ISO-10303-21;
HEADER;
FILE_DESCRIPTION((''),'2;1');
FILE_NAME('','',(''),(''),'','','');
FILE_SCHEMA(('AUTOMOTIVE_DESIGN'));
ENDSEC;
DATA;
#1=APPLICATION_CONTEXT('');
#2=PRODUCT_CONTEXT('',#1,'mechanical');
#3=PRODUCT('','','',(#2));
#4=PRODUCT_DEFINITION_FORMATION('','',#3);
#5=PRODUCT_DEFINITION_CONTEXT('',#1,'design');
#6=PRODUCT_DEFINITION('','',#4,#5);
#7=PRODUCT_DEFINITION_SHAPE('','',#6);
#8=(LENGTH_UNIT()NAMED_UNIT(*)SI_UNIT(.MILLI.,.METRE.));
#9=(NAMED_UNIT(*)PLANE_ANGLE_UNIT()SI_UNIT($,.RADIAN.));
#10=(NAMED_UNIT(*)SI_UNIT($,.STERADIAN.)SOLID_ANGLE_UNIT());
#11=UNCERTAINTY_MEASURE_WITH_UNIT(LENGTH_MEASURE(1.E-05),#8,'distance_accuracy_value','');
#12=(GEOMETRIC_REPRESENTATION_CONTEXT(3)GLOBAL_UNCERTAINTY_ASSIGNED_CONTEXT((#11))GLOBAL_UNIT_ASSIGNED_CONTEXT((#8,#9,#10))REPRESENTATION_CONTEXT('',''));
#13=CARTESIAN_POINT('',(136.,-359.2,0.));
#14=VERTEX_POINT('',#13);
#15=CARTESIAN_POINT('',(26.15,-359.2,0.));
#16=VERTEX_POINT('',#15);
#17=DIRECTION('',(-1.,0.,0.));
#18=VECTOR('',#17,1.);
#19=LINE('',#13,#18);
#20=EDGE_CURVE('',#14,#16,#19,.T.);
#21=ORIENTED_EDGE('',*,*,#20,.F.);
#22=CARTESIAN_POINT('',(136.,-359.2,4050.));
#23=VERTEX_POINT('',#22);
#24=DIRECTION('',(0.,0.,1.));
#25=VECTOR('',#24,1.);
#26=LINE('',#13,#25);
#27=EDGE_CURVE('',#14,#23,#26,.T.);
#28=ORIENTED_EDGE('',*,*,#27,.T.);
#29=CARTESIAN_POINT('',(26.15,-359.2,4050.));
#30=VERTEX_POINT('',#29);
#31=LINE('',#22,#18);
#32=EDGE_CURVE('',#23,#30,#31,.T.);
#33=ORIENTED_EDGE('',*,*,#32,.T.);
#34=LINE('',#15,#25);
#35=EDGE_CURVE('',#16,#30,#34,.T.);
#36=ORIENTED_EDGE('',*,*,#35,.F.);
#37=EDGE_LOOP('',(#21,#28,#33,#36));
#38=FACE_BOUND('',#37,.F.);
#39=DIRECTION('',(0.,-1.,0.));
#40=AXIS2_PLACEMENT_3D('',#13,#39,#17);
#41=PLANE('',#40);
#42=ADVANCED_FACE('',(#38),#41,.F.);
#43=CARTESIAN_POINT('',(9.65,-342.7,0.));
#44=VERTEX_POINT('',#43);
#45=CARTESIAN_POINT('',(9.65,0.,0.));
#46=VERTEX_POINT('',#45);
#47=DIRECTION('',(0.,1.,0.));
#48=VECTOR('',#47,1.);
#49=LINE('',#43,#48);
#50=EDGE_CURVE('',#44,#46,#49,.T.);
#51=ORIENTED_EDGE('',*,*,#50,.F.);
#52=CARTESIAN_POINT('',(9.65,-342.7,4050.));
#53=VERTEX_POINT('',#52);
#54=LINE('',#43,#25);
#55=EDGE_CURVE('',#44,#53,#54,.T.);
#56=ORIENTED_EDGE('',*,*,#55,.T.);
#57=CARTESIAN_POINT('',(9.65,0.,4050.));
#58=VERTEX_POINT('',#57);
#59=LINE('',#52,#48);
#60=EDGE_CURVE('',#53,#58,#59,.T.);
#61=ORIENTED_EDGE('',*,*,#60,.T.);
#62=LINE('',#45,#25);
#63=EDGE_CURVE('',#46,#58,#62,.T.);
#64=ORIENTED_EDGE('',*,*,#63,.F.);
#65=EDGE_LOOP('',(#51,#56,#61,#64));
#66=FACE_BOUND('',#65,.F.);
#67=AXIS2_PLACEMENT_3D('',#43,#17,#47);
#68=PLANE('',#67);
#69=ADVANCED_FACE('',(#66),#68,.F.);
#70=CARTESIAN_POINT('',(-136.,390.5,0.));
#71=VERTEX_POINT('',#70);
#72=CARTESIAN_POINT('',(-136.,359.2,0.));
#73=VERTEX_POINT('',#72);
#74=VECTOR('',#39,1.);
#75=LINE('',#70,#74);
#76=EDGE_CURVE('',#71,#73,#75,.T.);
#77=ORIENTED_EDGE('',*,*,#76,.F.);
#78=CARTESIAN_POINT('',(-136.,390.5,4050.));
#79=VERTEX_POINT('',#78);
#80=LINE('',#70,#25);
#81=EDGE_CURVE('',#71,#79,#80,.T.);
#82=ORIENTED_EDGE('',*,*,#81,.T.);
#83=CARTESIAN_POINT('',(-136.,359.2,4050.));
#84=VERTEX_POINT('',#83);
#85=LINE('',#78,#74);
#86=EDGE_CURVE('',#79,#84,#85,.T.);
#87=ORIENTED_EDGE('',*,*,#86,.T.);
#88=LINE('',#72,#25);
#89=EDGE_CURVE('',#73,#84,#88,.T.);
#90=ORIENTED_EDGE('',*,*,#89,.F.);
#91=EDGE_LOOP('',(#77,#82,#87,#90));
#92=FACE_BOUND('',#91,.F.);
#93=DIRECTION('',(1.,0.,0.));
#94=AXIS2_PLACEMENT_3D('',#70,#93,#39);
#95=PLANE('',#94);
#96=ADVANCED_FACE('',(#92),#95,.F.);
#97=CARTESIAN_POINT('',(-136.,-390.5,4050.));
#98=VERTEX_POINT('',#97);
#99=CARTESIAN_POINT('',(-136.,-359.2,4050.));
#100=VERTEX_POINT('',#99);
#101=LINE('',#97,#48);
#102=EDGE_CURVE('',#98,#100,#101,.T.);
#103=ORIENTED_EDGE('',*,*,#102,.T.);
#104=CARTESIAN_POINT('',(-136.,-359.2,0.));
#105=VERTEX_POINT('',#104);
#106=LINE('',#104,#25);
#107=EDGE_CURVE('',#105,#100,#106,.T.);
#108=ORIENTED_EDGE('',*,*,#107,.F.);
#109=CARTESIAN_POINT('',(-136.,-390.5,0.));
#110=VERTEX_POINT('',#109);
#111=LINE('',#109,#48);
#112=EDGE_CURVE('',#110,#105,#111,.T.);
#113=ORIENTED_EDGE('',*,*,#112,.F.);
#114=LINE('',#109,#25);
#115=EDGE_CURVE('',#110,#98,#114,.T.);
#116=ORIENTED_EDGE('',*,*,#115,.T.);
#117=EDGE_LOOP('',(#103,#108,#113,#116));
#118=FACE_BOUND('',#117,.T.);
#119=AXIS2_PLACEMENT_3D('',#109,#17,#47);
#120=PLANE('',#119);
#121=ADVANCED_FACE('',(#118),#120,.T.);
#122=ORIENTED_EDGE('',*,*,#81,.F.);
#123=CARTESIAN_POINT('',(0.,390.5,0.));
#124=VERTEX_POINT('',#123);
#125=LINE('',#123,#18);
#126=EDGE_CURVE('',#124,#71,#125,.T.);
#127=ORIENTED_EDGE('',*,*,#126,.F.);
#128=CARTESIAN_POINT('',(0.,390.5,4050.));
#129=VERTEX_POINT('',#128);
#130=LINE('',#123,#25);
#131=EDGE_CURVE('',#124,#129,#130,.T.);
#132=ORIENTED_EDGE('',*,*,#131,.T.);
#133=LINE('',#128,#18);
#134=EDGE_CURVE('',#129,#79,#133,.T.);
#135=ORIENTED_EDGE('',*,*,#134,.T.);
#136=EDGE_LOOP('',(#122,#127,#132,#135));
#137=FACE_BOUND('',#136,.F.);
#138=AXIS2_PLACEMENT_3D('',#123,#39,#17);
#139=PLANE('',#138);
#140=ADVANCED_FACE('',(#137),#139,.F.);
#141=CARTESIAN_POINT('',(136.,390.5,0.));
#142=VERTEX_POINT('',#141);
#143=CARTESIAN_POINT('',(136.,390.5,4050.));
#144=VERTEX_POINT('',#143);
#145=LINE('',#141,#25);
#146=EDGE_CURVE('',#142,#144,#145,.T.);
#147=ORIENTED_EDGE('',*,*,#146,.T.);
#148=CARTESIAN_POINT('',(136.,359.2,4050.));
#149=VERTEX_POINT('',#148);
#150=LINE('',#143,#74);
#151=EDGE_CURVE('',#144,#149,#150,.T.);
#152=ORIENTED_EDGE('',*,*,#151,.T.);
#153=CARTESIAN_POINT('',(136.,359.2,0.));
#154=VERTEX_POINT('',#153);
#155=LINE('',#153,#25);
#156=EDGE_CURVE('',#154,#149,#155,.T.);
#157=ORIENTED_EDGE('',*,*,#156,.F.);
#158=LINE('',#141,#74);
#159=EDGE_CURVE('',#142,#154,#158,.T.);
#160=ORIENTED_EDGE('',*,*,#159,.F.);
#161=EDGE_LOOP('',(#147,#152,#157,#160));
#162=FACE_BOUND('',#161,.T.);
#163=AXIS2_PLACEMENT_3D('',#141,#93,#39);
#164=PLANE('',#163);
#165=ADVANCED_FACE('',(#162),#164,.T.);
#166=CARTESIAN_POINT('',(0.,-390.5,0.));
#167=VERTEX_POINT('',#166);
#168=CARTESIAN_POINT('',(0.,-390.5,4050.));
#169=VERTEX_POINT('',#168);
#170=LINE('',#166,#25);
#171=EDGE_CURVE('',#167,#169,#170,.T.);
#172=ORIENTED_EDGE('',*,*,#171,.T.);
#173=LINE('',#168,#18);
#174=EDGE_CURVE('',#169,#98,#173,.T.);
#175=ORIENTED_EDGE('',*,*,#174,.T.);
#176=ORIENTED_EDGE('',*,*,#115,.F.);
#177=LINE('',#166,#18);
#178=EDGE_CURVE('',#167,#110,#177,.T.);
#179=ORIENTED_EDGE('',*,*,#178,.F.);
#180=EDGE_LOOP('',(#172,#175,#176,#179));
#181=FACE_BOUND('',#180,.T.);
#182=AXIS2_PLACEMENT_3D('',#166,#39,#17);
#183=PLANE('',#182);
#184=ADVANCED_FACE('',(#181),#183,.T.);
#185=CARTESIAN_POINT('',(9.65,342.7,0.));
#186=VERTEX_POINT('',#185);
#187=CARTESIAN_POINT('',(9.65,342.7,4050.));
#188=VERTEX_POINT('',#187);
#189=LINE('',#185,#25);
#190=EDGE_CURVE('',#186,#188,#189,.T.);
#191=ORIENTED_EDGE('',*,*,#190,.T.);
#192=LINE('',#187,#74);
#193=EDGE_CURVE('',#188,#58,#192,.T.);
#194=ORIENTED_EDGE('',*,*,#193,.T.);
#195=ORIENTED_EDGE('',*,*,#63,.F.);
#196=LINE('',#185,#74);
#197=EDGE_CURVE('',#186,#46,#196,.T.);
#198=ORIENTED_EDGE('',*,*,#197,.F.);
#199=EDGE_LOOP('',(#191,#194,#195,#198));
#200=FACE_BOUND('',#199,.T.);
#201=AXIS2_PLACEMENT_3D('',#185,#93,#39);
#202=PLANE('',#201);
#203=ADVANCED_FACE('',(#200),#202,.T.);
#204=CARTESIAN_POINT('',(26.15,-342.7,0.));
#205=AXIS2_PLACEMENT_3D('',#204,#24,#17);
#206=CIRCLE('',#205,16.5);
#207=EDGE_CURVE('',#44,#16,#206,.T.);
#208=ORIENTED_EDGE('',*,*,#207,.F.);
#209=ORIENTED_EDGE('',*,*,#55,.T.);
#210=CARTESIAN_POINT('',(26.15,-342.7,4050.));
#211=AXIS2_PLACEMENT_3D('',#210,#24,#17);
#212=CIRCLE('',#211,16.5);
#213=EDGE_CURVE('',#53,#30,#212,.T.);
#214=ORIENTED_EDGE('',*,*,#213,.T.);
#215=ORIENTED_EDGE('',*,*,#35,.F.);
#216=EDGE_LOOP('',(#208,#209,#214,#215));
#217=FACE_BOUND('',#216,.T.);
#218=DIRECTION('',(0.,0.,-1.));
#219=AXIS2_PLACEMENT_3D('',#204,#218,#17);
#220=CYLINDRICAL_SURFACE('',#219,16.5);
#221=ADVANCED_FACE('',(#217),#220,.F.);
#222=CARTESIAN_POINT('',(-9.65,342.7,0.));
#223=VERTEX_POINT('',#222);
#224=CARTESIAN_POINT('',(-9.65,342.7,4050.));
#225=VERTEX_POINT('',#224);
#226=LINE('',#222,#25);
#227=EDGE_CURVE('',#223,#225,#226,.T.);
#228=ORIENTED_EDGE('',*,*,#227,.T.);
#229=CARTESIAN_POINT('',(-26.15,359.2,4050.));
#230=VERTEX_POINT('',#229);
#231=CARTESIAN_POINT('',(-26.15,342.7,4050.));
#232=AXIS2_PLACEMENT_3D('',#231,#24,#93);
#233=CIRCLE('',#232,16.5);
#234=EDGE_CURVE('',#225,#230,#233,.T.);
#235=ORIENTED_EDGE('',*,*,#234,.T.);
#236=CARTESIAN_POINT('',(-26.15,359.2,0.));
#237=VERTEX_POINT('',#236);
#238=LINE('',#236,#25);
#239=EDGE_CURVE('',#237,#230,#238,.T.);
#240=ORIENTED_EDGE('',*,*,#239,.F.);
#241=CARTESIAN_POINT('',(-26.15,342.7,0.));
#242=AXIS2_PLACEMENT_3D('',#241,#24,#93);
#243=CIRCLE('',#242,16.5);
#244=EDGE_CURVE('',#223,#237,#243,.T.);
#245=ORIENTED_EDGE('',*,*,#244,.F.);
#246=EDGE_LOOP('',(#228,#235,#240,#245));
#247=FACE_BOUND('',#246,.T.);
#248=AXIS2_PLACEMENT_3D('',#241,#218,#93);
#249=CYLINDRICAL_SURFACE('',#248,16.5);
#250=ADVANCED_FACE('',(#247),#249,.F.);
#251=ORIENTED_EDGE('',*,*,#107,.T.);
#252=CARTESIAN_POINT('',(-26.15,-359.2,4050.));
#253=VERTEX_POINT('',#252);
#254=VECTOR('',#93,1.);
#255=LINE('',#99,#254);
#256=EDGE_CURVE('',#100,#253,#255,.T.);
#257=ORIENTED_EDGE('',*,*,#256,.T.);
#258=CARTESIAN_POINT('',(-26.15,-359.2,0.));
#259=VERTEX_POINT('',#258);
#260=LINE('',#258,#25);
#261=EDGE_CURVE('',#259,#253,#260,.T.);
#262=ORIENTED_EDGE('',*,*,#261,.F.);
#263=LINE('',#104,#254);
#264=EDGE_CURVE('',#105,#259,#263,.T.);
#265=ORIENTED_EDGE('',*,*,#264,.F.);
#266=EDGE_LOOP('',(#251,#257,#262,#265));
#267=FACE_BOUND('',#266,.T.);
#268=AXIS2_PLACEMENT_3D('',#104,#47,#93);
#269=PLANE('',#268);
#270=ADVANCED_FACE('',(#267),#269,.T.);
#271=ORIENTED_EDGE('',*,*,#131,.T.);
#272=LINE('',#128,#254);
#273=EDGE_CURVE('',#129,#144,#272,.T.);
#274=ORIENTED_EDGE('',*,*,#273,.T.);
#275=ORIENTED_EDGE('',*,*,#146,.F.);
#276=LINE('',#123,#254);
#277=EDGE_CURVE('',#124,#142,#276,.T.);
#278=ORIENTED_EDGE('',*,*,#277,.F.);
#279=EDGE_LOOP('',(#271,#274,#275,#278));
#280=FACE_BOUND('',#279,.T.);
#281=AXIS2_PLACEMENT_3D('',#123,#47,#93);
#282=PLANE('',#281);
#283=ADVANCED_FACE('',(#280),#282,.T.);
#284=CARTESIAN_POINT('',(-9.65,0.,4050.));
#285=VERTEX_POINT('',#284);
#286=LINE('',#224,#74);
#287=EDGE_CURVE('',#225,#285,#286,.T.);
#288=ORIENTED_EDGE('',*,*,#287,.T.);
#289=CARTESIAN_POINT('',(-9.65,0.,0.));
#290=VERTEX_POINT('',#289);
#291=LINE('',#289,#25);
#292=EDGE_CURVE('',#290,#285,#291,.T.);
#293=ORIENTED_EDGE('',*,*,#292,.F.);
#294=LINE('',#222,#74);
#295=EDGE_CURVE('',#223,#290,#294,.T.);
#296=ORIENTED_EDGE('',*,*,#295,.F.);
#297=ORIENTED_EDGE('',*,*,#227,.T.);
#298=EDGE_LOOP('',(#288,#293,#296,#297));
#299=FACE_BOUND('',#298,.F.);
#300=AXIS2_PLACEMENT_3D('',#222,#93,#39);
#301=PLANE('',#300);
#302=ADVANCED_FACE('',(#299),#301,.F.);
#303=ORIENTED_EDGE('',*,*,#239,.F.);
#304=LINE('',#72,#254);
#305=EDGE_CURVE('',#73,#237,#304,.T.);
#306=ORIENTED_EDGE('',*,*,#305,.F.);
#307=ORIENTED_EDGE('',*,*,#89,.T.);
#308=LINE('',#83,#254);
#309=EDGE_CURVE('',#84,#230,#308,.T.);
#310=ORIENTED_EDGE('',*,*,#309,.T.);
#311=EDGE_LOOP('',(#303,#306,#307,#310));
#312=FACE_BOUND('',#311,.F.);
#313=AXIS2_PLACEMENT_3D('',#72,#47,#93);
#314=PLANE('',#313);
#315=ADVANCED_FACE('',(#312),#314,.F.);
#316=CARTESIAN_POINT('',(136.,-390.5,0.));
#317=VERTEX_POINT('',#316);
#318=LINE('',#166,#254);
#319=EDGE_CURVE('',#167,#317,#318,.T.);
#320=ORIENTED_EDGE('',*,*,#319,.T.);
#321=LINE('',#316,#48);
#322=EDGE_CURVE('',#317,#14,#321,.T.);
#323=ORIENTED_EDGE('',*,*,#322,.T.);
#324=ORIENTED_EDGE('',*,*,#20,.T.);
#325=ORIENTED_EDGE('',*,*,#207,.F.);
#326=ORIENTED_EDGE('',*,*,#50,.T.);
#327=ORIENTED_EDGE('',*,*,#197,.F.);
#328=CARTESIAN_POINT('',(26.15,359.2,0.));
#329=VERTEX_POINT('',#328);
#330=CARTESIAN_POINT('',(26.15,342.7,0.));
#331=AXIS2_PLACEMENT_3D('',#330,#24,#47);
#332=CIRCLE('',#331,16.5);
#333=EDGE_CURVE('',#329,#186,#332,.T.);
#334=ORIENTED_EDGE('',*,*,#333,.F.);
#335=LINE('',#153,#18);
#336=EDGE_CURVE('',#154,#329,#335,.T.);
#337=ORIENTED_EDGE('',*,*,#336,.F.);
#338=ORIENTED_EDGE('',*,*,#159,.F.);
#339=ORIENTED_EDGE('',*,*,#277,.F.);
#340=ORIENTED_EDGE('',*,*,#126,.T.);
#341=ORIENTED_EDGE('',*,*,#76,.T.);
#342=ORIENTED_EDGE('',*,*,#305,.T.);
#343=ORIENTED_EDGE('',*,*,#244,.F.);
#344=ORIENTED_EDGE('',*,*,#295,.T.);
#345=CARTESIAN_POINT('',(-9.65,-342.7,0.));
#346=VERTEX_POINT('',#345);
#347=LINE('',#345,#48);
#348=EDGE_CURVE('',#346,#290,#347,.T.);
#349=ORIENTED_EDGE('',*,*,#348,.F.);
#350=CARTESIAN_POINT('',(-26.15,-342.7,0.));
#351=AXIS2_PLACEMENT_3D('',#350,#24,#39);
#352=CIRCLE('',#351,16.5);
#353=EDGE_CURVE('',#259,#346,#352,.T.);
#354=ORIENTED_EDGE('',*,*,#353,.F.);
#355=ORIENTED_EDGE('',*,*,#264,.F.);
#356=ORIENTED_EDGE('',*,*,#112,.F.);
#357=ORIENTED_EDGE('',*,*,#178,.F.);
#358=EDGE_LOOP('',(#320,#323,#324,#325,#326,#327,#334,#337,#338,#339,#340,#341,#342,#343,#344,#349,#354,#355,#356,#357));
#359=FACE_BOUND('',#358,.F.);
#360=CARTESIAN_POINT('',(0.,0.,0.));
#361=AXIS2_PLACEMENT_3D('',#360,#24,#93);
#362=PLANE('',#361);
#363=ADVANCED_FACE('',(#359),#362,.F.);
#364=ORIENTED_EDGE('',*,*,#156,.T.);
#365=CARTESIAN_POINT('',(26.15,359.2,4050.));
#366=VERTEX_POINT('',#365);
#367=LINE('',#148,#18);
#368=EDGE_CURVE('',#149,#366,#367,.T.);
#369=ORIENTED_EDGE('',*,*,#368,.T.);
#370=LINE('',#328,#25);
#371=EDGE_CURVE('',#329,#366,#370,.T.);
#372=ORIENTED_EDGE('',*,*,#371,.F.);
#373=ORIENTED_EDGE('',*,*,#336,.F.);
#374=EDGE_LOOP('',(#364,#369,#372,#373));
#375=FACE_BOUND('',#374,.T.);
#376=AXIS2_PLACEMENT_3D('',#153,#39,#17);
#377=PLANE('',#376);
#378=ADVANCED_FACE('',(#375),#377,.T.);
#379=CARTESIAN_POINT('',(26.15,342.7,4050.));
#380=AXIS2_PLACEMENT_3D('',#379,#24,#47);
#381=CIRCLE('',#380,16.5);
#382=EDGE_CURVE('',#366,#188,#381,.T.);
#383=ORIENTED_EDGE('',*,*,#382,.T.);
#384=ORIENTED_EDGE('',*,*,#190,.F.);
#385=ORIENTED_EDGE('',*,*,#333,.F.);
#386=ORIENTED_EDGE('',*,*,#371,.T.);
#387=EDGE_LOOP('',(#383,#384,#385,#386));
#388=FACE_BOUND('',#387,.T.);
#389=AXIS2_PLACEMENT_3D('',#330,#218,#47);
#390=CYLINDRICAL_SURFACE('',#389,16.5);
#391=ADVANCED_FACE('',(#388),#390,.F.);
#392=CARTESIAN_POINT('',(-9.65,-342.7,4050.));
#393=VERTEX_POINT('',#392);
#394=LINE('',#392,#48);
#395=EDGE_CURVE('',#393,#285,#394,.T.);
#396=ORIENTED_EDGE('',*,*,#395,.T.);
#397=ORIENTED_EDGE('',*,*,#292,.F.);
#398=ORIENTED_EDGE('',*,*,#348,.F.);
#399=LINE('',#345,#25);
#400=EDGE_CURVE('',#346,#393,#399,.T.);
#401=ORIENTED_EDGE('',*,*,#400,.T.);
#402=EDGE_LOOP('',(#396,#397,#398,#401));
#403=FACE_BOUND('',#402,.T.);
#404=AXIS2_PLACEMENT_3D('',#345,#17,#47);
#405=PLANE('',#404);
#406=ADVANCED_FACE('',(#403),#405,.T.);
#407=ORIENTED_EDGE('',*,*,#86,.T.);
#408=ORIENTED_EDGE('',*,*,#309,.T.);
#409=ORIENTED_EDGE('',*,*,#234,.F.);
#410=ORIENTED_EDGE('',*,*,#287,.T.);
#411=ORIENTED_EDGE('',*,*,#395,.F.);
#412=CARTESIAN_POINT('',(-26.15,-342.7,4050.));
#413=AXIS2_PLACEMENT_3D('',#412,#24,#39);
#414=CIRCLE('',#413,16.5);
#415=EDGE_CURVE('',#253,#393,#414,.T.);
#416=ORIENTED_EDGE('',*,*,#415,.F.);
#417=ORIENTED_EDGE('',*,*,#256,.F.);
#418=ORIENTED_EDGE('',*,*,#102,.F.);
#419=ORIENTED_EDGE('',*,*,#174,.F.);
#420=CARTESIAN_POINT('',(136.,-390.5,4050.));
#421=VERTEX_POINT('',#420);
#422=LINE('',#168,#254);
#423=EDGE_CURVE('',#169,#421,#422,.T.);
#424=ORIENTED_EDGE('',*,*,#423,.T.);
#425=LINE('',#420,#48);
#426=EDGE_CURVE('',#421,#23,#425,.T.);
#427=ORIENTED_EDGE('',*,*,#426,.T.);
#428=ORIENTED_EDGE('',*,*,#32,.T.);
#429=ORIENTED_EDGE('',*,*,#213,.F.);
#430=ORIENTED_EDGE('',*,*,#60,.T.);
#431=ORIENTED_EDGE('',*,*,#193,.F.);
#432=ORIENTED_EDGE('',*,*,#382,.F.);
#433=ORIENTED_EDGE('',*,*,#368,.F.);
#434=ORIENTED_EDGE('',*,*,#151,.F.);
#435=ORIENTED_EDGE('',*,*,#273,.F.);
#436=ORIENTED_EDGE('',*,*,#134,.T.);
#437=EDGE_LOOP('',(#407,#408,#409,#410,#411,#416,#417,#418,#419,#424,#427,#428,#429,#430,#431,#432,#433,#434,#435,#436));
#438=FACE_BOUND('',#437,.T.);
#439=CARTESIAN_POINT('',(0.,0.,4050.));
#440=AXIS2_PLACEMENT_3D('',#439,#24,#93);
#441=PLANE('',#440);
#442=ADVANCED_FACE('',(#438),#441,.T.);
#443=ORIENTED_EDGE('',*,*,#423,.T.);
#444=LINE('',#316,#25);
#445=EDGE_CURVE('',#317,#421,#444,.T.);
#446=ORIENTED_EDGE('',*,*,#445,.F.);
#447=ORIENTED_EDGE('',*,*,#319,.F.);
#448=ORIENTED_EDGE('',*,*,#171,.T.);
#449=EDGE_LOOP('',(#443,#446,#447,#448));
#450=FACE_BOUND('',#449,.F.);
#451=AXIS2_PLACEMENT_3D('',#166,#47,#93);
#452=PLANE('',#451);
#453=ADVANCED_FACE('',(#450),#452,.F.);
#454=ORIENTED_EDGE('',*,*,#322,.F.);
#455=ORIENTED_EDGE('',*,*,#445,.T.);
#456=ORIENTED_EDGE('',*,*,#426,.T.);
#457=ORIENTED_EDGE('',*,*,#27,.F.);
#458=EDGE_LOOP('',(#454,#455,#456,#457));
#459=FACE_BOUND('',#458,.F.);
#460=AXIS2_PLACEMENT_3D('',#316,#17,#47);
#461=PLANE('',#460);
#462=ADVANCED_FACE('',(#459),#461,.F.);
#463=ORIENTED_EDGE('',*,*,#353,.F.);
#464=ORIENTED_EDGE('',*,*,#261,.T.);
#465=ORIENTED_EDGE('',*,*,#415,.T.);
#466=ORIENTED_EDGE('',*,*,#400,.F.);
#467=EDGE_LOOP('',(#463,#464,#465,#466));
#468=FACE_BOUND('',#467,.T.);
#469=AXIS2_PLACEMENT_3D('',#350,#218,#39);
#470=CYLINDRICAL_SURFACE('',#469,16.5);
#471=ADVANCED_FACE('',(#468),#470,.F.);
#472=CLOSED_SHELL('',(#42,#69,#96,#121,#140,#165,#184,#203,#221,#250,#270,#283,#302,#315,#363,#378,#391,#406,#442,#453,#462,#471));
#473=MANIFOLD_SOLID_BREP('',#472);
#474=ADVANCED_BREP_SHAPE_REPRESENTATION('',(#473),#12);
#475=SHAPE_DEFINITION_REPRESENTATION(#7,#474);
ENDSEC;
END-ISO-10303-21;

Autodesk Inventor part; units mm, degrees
ref_plane "YZ Plane" through (0, 0, 0) normal (1, 0, 0) x (0, 1, 0)
ref_plane "Start plane" through (0, 0, 0) normal (0, 0, 1) x (1, 0, 0)
ref_plane "End plane" through (0, 0, 4050) normal (0, 0, 1) x (1, 0, 0)
sketch "Sketch" plane through (0, 0, 0) normal (0, 0, 1) x (1, 0, 0)
  line L0 (-136, -390.5) -> (-136, -359.2)
  line L1 (-136, -359.2) -> (-26.15, -359.2)
  line L2 (-9.65, -342.7) -> (-9.65, 0)
  line L3 (-9.65, 0) -> (0, 0) construction
  line L4 (0, 0) -> (0, -390.5) construction
  line L5 (0, -390.5) -> (-136, -390.5)
  line L6 (-60, 0) -> (80, 0) construction
  line L7 (0, -60) -> (0, 80) construction
  line L8 (136, -390.5) -> (136, -359.2)
  line L9 (136, -359.2) -> (26.15, -359.2)
  line L10 (9.65, -342.7) -> (9.65, 0)
  line L11 (9.65, 0) -> (0, 0) construction
  line L12 (0, -390.5) -> (136, -390.5)
  line L13 (-136, 390.5) -> (-136, 359.2)
  line L14 (-136, 359.2) -> (-26.15, 359.2)
  line L15 (-9.65, 342.7) -> (-9.65, 0)
  line L16 (0, 390.5) -> (-136, 390.5)
  line L17 (136, 390.5) -> (136, 359.2)
  line L18 (136, 359.2) -> (26.15, 359.2)
  line L19 (0, 390.5) -> (136, 390.5)
  line L20 (9.65, 342.7) -> (9.65, 0)
  arc A0 (-9.65, 342.7) -> (-26.15, 359.2) centre (-26.15, 342.7) ccw
  arc A1 (26.15, 359.2) -> (9.65, 342.7) centre (26.15, 342.7) ccw
  arc A2 (9.65, -342.7) -> (26.15, -359.2) centre (26.15, -342.7) ccw
  arc A3 (-26.15, -359.2) -> (-9.65, -342.7) centre (-26.15, -342.7) ccw
  line L21 (0, 108) -> (0, -88) construction
  line L22 (-88, 0) -> (108, 0) construction
  point P0 (-9.65, -359.2)
  point P1 (9.65, -359.2)
  point P2 (-9.65, 359.2)
  point P3 (9.65, 359.2)
  dimension "d1" = 390.5
  dimension "d2" = 31.3
  dimension "d3" = 136
  dimension "d4" = 9.65
  dimension "d10" = 16.5
extrude "Body" add sketch "Sketch" along normal up to surface (4050 mm away) from surface at 0
sketch "Sketch4" plane through (0, 0, 0) normal (0, 0, 1) x (1, 0, 0)
  line L0 (0, 0) -> (10, 0)
ref_plane "Work Plane3" through (0, 0, 0) normal (0, -1, 0) x (1, 0, 0)
sketch "Sketch5" plane through (0, 0, 0) normal (0, -1, 0) x (1, 0, 0)
  line L0 (-2, 0) -> (12, 0) projected
  line L1 (-2, 4050) -> (12, 4050) projected
  dimension "d14" = 4050
equation "\"d1\" = 0.5 * G_H"
equation "\"d2\" = G_T1"
equation "\"d3\" = 0.5 * G_W"
equation "\"d4\" = 0.5 * G_T"
equation "\"d10\" = G_IR"
equation "\"d5\" = G_L"
equation "\"G_W\" = 272"
equation "\"G_H\" = 781"
equation "\"G_T\" = 19.3"
equation "\"G_T1\" = 31.3"
equation "\"G_IR\" = 16.5"
equation "\"G_L\" = d14"
equation "\"G_OFFSET_START\" = 0"
equation "\"G_OFFSET_END\" = 0"
properties part number "AS 3679-1990 - 760 UB - 244 - 4050" material "Steel, Mild"
